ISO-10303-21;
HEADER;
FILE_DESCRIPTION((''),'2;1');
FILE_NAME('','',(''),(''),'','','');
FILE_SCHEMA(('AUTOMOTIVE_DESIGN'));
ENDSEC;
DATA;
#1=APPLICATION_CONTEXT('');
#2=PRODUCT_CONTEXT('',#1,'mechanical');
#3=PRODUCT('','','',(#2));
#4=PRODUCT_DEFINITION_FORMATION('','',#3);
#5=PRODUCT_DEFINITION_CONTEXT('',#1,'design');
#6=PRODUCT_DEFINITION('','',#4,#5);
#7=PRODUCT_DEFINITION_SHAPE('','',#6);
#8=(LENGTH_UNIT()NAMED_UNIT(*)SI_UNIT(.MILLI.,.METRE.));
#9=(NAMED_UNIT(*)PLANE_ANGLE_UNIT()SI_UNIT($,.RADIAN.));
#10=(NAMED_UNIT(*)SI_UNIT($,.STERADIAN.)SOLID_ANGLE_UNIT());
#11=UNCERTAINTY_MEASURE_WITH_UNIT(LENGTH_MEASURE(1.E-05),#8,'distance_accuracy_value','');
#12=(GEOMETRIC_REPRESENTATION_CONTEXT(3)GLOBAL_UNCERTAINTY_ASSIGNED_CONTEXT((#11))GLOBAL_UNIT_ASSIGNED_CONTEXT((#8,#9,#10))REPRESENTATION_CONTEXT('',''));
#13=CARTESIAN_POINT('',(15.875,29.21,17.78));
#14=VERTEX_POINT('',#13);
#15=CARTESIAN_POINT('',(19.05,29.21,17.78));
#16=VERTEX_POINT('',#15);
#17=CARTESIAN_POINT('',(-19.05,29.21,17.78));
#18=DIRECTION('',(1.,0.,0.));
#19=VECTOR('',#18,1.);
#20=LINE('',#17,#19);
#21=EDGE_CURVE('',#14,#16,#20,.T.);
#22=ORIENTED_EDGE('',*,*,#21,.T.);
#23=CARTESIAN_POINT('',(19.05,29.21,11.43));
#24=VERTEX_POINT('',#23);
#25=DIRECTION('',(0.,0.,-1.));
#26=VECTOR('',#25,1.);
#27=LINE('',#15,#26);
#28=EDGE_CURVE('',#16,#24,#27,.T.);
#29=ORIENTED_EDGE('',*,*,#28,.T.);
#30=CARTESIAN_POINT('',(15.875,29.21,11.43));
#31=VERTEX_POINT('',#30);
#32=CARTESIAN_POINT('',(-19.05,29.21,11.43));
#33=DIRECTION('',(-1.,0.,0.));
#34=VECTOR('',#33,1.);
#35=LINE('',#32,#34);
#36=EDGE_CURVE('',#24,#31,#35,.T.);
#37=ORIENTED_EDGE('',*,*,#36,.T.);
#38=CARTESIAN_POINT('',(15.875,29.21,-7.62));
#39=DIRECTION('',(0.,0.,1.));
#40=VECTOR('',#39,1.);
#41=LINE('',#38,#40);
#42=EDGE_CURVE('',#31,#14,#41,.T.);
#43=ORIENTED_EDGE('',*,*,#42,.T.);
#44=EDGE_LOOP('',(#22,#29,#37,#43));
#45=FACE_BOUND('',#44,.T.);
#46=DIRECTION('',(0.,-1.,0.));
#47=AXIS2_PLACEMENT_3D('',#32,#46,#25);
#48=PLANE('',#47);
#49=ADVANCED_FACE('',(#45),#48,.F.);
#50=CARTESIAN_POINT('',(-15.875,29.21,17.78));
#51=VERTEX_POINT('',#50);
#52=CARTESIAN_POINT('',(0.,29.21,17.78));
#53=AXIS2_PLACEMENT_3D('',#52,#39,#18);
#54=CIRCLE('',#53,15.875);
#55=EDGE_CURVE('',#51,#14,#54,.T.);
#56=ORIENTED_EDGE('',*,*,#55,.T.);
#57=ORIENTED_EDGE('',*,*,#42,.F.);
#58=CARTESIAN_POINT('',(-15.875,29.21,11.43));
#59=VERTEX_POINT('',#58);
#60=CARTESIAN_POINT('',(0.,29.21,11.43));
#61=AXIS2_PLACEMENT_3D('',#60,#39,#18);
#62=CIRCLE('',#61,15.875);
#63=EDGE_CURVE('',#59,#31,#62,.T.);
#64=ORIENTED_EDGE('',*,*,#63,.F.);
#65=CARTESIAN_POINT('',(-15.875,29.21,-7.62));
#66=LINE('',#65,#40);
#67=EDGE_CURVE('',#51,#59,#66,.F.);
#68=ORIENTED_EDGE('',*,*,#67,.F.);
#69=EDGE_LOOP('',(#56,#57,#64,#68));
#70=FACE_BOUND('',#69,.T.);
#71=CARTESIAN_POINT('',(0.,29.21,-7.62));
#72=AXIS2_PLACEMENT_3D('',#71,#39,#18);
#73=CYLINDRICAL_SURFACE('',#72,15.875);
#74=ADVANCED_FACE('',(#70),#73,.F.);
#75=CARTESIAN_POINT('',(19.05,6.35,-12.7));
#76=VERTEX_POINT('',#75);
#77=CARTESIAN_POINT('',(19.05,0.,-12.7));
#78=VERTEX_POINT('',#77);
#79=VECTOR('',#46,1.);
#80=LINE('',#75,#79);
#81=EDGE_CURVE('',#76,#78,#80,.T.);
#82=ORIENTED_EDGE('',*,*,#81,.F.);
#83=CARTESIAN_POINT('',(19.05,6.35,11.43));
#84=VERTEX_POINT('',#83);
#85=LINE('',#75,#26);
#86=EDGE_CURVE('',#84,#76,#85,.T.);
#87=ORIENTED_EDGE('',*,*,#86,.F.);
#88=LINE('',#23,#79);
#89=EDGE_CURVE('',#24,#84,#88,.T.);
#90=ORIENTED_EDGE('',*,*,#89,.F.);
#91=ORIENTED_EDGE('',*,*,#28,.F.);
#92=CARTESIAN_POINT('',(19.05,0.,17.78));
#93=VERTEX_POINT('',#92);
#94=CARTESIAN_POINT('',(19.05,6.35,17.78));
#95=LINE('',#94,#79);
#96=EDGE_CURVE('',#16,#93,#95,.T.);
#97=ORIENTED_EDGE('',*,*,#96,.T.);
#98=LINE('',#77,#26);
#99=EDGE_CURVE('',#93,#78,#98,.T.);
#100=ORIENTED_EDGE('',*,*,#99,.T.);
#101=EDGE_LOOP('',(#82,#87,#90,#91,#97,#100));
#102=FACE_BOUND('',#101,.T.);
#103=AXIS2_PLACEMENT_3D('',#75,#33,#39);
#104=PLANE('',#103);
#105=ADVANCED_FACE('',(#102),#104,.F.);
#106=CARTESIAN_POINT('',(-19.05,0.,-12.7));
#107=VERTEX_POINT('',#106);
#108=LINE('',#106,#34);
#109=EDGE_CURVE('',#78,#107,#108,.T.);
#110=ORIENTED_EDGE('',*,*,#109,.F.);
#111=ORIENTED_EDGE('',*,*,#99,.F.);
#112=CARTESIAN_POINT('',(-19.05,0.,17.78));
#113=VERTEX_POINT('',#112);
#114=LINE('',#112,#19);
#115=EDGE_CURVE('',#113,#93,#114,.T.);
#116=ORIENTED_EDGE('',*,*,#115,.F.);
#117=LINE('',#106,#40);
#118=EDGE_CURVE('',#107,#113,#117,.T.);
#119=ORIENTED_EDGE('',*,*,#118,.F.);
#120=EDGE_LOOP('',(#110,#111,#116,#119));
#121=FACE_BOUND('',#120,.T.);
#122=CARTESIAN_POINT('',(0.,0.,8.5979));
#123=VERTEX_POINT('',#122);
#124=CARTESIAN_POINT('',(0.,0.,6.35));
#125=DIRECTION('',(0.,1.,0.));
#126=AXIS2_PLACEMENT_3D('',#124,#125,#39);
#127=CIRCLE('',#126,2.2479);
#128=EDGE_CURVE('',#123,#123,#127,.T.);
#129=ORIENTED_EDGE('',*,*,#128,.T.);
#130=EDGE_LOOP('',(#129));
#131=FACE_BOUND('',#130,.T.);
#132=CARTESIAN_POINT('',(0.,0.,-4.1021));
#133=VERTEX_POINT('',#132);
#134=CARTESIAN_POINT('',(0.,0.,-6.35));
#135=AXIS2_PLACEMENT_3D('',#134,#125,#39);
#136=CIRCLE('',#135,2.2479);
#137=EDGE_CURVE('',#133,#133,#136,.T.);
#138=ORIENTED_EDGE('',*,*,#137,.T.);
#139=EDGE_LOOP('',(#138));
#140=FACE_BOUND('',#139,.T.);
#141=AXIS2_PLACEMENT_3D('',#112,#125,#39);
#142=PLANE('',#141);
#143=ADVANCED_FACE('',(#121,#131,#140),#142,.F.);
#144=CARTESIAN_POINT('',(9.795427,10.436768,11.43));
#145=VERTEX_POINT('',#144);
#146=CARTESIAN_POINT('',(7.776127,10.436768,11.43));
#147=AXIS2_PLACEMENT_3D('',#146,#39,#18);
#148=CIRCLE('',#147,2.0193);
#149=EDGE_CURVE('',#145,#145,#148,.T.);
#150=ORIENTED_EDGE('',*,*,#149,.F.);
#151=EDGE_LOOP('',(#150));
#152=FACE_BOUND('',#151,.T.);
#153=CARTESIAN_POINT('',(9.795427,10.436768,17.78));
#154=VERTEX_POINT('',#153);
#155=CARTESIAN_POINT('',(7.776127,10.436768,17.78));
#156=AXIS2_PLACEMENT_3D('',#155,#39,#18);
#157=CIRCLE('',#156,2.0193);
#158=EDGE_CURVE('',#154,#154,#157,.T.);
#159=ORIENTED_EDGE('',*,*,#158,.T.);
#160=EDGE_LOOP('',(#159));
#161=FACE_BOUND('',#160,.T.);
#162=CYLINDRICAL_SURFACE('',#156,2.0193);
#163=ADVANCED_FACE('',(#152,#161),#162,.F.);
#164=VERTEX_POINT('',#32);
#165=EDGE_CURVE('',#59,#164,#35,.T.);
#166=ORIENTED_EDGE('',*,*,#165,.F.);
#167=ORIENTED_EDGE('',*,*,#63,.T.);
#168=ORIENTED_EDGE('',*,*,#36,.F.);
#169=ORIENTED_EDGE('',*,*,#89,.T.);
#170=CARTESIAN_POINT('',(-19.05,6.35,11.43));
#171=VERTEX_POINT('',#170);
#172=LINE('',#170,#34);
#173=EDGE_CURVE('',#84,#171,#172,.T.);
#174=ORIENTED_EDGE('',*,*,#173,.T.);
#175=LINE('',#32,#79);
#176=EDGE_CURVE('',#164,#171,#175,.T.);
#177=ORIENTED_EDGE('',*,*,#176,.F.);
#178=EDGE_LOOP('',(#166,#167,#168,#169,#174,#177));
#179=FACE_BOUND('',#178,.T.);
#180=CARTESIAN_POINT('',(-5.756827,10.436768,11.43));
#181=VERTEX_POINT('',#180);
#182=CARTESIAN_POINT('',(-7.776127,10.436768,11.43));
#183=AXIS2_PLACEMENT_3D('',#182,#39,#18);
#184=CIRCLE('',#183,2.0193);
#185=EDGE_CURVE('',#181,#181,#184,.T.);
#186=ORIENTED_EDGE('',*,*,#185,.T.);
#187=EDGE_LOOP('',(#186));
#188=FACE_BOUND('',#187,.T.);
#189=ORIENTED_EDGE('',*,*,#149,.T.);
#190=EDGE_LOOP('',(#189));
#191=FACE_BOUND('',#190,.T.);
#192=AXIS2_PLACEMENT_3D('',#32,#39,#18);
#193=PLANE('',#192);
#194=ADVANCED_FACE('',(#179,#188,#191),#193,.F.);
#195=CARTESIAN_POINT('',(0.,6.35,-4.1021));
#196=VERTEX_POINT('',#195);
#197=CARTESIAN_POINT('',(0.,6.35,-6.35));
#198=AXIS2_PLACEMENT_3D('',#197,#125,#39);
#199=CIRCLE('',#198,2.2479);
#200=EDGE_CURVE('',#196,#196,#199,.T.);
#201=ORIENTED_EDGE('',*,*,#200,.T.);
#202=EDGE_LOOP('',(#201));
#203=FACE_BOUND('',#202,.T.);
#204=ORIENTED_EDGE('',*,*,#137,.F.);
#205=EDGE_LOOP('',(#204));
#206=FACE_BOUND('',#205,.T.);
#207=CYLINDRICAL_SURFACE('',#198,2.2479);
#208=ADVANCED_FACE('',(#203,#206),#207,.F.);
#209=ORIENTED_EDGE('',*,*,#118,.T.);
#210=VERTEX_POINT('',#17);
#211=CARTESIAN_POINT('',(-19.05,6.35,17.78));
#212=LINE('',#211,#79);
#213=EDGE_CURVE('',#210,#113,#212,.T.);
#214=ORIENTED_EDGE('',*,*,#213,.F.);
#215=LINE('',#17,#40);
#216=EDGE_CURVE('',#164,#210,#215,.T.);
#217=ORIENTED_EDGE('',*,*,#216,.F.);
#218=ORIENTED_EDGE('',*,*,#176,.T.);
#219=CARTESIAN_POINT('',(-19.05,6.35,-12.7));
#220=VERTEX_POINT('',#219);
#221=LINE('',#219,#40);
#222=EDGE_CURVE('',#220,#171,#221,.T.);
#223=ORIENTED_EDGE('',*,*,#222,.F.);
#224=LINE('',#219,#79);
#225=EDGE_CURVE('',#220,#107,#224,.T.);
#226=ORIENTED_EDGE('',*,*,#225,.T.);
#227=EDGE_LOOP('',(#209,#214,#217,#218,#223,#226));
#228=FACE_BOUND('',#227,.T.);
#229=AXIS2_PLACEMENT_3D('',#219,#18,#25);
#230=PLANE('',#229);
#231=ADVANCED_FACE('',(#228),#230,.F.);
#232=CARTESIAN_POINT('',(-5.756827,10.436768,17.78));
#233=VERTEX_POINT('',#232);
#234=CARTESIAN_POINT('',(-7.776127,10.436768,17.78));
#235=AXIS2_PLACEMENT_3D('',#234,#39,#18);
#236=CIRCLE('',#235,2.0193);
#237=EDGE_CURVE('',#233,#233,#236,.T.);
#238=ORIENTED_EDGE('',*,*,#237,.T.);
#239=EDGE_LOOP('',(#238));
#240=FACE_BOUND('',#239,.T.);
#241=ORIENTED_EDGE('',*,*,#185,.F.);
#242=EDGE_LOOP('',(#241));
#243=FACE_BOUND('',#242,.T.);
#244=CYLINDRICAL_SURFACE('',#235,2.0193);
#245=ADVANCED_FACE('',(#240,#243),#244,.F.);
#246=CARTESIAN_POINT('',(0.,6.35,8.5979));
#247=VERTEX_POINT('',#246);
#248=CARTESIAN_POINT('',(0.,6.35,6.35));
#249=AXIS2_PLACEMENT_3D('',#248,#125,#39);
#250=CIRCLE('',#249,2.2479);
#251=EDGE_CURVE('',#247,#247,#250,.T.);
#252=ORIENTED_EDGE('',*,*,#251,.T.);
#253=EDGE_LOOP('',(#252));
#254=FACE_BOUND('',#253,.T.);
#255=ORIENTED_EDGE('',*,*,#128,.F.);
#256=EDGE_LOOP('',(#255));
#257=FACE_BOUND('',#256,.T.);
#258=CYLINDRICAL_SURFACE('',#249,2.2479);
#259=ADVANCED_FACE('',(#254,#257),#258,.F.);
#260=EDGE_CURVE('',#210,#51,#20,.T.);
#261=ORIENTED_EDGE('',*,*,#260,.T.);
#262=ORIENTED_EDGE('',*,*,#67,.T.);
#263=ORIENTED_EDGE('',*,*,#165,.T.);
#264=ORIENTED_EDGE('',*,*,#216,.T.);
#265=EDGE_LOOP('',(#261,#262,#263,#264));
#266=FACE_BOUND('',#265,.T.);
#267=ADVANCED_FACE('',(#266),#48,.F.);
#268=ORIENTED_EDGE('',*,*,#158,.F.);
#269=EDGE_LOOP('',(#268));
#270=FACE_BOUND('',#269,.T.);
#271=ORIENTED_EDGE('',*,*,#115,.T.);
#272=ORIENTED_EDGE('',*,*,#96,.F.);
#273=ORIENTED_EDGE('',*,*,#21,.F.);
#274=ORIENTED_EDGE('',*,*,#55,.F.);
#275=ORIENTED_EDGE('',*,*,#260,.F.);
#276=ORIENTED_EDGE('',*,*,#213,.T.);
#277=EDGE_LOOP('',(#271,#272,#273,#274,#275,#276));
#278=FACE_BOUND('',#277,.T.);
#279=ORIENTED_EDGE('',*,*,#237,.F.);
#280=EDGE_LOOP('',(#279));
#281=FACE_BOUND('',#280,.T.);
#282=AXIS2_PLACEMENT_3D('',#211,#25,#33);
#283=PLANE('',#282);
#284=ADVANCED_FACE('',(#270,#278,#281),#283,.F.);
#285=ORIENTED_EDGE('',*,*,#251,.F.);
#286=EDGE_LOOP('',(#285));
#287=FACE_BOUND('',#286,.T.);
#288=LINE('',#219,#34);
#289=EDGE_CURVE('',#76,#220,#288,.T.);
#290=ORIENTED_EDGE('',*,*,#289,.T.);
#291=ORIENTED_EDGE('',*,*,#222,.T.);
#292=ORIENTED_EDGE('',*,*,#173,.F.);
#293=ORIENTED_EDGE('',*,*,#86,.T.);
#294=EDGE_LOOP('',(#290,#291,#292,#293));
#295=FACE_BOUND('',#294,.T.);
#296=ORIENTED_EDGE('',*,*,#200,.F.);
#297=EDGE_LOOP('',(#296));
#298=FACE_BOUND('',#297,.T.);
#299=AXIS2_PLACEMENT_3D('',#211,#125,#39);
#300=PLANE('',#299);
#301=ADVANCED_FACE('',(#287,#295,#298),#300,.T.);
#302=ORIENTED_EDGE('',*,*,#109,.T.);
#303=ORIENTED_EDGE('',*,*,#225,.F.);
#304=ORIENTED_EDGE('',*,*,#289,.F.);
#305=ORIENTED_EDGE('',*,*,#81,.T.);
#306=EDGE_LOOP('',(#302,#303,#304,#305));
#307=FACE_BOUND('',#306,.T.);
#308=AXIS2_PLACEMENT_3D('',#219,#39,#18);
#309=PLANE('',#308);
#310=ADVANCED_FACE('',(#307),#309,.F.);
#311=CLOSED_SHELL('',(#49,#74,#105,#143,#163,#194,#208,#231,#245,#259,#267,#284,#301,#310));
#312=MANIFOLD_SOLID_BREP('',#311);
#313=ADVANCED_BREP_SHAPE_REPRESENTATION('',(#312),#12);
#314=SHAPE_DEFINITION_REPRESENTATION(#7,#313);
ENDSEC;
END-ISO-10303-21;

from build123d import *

# Parameters (mm, degrees)
SKETCH1_W                       = 38.1
SKETCH1_H                       = 30.48
EXTRUDE1_DEPTH                  = 6.35
SKETCH2_W                       = 38.1
SKETCH2_H                       = 6.35
EXTRUDE2_DEPTH                  = 22.86
F_16_0_177_DIAMETER_HOLE3_D     = 4.4958
F_16_0_177_DIAMETER_HOLE3_DEPTH = 58.42
F_16_0_177_DIAMETER_HOLE3_TIP   = 1.350674586
SKETCH6_R                       = 15.875
CUT_EXTRUDE2_DEPTH              = 25.4
F_10_32_TAPPED_HOLE1_D          = 4.0386
CIRPATTERN1_COUNT               = 2
CIRPATTERN1_ANGLE               = 45


with BuildPart() as part:
    # Sketch1 → Extrude1 (new body)
    with BuildSketch(Plane(origin=(0, 0, 0), x_dir=(1, 0, 0), z_dir=(0, 1, 0))):
        with Locations((0, -2.54)):
            Rectangle(SKETCH1_W, SKETCH1_H)
    extrude(amount=EXTRUDE1_DEPTH)

    # Sketch2 → Extrude2 (add)
    with BuildSketch(Plane(origin=(0, 6.35, 0), x_dir=(-1, 0, 0), z_dir=(0, 1, 0))):
        with Locations((0, 14.605)):
            Rectangle(SKETCH2_W, SKETCH2_H)
    extrude(amount=EXTRUDE2_DEPTH)

    # #16 (0.177) Diameter Hole3
    with Locations(Plane(origin=(0, 6.35, 6.35), x_dir=(0, 0, 1), z_dir=(0, 1, 0))):
        with Locations((0, 0), (-12.7, 0)):
            Hole(F_16_0_177_DIAMETER_HOLE3_D / 2, depth=F_16_0_177_DIAMETER_HOLE3_DEPTH)
            with Locations((0, 0, -(F_16_0_177_DIAMETER_HOLE3_DEPTH + F_16_0_177_DIAMETER_HOLE3_TIP / 2))):  # 118° drill point
                Cone(0, F_16_0_177_DIAMETER_HOLE3_D / 2, F_16_0_177_DIAMETER_HOLE3_TIP, mode=Mode.SUBTRACT)

    # Sketch6 → Cut-Extrude2 (cut)
    with BuildSketch(Plane.XY.offset(17.78)):
        with Locations((0, 29.21)):
            Circle(SKETCH6_R)
    extrude(amount=-CUT_EXTRUDE2_DEPTH, mode=Mode.SUBTRACT)

    # #10-32 Tapped Hole1 (through all)
    with Locations(Plane(origin=(7.776127346, 10.436767899, 17.78), x_dir=(1, 0, 0), z_dir=(0, 0, 1))):
        with Locations((0, 0)):
            f_10_32_tapped_hole1 = Hole(F_10_32_TAPPED_HOLE1_D / 2)

    # CirPattern1: #10-32 Tapped Hole1 ×2 about axis
    cirpattern1_axis = Axis((0, 29.21, 35.207153655), (0, 0, -1))
    for i in range(1, CIRPATTERN1_COUNT):
        add(f_10_32_tapped_hole1.rotate(cirpattern1_axis, i * CIRPATTERN1_ANGLE / (CIRPATTERN1_COUNT - 1)), mode=Mode.SUBTRACT)


solid = part.part
